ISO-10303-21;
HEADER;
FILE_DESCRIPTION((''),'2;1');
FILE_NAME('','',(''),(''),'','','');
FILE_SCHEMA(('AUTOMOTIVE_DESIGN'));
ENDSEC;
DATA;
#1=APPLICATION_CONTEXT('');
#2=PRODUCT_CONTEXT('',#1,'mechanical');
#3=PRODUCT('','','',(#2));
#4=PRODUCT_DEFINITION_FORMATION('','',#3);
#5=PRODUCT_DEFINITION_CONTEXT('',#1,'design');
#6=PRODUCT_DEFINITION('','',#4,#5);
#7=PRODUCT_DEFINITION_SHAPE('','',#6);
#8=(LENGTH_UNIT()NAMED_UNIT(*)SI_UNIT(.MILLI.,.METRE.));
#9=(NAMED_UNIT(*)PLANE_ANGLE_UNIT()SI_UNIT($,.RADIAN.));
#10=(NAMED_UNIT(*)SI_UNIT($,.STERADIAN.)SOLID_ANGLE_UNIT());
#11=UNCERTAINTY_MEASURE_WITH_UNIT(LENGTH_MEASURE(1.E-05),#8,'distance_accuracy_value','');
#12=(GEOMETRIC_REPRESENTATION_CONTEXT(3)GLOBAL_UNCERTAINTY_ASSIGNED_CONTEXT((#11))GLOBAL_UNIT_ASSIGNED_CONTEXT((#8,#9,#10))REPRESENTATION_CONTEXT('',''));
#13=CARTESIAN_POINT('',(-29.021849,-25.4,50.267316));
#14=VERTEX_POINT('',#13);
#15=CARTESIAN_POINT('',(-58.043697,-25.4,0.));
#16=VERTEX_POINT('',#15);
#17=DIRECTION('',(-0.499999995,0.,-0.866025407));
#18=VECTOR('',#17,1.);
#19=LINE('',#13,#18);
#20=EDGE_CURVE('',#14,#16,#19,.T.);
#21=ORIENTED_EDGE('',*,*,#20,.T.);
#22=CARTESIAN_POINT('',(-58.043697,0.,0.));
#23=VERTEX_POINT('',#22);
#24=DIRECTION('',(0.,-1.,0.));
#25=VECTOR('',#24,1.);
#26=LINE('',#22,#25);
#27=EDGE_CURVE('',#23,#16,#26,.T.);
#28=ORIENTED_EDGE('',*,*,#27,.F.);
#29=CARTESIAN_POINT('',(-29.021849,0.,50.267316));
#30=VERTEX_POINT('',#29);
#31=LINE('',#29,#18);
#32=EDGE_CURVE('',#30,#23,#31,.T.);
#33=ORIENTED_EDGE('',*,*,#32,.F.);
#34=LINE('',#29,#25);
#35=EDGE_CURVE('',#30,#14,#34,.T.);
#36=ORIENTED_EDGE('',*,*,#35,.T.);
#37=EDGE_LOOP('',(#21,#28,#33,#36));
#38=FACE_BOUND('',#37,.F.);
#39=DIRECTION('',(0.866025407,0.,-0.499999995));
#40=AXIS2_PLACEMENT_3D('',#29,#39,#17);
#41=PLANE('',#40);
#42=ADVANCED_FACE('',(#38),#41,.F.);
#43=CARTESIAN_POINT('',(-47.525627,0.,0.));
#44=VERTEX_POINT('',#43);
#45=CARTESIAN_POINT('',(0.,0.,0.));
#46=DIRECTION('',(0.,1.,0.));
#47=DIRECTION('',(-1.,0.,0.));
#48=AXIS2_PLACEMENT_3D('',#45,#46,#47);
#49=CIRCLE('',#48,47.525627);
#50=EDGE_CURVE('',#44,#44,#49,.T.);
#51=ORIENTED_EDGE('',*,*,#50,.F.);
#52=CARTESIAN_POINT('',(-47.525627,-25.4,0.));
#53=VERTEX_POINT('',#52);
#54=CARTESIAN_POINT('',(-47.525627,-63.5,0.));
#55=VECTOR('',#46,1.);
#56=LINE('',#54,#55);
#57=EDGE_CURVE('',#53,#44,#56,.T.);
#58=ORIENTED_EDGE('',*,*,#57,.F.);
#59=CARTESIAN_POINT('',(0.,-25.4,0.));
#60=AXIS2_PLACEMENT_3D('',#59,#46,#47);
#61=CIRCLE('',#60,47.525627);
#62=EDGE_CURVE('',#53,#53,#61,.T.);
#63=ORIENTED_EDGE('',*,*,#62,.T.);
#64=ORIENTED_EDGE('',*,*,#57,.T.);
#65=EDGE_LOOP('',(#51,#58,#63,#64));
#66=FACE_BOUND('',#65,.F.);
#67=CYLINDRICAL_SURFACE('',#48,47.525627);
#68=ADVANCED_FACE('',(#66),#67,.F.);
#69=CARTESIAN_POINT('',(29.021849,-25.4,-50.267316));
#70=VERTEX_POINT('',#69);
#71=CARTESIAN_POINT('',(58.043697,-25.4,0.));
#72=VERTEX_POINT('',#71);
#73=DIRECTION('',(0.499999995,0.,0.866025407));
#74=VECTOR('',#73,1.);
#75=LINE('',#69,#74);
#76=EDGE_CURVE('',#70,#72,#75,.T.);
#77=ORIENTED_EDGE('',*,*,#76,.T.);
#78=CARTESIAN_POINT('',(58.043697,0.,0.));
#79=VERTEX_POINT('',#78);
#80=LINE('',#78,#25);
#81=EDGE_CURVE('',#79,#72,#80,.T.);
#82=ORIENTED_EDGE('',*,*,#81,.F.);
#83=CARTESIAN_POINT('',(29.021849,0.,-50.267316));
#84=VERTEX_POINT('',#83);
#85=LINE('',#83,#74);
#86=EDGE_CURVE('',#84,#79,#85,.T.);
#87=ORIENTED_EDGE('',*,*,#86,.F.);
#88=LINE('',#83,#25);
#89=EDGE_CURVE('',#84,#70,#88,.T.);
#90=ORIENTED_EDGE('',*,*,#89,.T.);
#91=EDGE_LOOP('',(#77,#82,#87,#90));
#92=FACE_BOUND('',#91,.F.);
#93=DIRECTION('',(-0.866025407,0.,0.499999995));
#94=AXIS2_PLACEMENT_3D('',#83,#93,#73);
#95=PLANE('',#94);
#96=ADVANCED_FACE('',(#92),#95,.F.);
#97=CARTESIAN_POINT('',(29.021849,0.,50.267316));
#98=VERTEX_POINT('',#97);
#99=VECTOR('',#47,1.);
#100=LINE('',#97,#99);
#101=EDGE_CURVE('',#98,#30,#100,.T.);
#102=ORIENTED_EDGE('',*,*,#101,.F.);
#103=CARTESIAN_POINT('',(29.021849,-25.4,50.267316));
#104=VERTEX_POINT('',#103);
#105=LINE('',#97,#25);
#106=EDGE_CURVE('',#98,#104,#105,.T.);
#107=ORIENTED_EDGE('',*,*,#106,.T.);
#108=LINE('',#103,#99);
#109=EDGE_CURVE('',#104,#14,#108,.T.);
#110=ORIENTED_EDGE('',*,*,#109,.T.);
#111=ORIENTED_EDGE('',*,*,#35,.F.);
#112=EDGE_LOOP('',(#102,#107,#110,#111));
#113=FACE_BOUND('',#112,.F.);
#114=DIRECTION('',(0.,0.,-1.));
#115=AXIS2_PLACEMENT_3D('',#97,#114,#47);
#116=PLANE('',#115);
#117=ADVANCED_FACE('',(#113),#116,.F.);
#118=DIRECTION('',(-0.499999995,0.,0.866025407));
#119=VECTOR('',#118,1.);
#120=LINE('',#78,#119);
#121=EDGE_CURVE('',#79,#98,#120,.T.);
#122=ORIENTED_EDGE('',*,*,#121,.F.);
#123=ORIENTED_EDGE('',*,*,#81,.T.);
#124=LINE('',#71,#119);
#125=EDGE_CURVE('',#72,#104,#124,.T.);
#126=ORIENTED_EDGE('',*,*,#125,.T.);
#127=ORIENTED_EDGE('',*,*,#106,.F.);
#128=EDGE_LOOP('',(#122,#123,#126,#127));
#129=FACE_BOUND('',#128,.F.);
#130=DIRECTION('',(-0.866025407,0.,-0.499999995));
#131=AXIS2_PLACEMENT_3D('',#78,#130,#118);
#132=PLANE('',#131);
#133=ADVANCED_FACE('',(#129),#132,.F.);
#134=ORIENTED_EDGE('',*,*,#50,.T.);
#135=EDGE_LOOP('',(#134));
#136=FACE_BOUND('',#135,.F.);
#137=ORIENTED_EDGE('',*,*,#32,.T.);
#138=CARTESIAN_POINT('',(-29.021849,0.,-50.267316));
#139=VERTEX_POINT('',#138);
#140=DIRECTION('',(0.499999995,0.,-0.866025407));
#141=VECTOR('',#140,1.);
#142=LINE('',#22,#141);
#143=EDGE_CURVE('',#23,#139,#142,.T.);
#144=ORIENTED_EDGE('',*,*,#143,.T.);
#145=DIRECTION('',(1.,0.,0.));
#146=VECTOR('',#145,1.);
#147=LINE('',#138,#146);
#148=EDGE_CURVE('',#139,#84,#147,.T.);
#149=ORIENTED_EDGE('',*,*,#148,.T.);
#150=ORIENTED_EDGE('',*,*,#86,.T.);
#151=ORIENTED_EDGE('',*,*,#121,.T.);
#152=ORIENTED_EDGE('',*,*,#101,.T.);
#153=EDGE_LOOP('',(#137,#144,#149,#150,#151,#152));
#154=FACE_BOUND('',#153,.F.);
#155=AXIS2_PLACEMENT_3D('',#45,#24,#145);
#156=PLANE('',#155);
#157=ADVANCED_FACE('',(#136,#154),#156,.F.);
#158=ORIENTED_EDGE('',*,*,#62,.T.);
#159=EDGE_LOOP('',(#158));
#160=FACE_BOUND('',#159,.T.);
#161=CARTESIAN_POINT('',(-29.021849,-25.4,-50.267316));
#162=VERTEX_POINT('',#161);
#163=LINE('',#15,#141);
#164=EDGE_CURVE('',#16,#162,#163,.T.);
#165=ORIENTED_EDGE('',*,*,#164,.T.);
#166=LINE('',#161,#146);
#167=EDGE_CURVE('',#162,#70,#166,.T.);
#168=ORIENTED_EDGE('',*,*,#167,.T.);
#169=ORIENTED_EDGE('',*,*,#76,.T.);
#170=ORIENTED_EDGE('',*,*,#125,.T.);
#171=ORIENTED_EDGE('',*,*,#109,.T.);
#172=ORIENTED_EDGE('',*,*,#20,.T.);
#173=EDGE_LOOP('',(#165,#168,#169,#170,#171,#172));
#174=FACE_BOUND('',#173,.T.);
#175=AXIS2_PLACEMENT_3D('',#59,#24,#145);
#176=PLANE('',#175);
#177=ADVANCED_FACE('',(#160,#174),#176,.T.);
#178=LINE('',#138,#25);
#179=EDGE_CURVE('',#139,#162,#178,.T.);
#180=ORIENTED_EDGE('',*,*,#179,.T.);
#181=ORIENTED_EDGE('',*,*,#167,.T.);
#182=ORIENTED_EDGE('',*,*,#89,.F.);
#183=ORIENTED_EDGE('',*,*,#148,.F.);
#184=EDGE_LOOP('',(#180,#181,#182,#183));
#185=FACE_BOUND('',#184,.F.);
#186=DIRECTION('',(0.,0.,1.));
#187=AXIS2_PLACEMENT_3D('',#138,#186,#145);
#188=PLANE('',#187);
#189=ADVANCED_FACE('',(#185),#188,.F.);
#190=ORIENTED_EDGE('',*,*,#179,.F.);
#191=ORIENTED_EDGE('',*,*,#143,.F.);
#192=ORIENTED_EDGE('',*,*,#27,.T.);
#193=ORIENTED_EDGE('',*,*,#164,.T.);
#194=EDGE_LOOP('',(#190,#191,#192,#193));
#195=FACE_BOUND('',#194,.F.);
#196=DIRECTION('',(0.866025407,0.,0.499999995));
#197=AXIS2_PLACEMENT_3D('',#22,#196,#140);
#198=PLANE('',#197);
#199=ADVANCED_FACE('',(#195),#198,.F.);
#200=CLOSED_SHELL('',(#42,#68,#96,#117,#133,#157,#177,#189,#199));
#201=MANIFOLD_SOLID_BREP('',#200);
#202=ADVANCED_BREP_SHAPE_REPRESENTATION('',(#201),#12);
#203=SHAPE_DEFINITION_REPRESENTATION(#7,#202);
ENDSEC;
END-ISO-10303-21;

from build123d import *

# Parameters (mm, degrees)
F1_DEPTH = 25.4
F2_R     = 48.434429
F3_DEPTH = 1.18585
F4_R     = 47.525627
F5_DEPTH = 63.5


with BuildPart() as f1:
    # F0 (on Front) → F1 (new body)
    with BuildSketch(Plane.XZ):
        Polygon((29.021849, 50.267316), (-29.021849, 50.267316), (-58.043697, 0), (-29.021849, -50.267316), (29.021849, -50.267316), (58.043697, 0), align=None)
    extrude(amount=F1_DEPTH)

    # F2 (on face) → F3 (join)
    with BuildSketch(Plane(origin=(0, 0, 0), x_dir=(-1, 0, 0), z_dir=(0, 1, 0))):
        Circle(F2_R)
    extrude(amount=-F3_DEPTH)

    # F4 (on face) → F5 (cut, symmetric)
    with BuildSketch(Plane(origin=(0, 0, 0), x_dir=(-1, 0, 0), z_dir=(0, 1, 0))):
        Circle(F4_R)
    extrude(amount=F5_DEPTH, both=True, mode=Mode.SUBTRACT)


solid = f1.part
